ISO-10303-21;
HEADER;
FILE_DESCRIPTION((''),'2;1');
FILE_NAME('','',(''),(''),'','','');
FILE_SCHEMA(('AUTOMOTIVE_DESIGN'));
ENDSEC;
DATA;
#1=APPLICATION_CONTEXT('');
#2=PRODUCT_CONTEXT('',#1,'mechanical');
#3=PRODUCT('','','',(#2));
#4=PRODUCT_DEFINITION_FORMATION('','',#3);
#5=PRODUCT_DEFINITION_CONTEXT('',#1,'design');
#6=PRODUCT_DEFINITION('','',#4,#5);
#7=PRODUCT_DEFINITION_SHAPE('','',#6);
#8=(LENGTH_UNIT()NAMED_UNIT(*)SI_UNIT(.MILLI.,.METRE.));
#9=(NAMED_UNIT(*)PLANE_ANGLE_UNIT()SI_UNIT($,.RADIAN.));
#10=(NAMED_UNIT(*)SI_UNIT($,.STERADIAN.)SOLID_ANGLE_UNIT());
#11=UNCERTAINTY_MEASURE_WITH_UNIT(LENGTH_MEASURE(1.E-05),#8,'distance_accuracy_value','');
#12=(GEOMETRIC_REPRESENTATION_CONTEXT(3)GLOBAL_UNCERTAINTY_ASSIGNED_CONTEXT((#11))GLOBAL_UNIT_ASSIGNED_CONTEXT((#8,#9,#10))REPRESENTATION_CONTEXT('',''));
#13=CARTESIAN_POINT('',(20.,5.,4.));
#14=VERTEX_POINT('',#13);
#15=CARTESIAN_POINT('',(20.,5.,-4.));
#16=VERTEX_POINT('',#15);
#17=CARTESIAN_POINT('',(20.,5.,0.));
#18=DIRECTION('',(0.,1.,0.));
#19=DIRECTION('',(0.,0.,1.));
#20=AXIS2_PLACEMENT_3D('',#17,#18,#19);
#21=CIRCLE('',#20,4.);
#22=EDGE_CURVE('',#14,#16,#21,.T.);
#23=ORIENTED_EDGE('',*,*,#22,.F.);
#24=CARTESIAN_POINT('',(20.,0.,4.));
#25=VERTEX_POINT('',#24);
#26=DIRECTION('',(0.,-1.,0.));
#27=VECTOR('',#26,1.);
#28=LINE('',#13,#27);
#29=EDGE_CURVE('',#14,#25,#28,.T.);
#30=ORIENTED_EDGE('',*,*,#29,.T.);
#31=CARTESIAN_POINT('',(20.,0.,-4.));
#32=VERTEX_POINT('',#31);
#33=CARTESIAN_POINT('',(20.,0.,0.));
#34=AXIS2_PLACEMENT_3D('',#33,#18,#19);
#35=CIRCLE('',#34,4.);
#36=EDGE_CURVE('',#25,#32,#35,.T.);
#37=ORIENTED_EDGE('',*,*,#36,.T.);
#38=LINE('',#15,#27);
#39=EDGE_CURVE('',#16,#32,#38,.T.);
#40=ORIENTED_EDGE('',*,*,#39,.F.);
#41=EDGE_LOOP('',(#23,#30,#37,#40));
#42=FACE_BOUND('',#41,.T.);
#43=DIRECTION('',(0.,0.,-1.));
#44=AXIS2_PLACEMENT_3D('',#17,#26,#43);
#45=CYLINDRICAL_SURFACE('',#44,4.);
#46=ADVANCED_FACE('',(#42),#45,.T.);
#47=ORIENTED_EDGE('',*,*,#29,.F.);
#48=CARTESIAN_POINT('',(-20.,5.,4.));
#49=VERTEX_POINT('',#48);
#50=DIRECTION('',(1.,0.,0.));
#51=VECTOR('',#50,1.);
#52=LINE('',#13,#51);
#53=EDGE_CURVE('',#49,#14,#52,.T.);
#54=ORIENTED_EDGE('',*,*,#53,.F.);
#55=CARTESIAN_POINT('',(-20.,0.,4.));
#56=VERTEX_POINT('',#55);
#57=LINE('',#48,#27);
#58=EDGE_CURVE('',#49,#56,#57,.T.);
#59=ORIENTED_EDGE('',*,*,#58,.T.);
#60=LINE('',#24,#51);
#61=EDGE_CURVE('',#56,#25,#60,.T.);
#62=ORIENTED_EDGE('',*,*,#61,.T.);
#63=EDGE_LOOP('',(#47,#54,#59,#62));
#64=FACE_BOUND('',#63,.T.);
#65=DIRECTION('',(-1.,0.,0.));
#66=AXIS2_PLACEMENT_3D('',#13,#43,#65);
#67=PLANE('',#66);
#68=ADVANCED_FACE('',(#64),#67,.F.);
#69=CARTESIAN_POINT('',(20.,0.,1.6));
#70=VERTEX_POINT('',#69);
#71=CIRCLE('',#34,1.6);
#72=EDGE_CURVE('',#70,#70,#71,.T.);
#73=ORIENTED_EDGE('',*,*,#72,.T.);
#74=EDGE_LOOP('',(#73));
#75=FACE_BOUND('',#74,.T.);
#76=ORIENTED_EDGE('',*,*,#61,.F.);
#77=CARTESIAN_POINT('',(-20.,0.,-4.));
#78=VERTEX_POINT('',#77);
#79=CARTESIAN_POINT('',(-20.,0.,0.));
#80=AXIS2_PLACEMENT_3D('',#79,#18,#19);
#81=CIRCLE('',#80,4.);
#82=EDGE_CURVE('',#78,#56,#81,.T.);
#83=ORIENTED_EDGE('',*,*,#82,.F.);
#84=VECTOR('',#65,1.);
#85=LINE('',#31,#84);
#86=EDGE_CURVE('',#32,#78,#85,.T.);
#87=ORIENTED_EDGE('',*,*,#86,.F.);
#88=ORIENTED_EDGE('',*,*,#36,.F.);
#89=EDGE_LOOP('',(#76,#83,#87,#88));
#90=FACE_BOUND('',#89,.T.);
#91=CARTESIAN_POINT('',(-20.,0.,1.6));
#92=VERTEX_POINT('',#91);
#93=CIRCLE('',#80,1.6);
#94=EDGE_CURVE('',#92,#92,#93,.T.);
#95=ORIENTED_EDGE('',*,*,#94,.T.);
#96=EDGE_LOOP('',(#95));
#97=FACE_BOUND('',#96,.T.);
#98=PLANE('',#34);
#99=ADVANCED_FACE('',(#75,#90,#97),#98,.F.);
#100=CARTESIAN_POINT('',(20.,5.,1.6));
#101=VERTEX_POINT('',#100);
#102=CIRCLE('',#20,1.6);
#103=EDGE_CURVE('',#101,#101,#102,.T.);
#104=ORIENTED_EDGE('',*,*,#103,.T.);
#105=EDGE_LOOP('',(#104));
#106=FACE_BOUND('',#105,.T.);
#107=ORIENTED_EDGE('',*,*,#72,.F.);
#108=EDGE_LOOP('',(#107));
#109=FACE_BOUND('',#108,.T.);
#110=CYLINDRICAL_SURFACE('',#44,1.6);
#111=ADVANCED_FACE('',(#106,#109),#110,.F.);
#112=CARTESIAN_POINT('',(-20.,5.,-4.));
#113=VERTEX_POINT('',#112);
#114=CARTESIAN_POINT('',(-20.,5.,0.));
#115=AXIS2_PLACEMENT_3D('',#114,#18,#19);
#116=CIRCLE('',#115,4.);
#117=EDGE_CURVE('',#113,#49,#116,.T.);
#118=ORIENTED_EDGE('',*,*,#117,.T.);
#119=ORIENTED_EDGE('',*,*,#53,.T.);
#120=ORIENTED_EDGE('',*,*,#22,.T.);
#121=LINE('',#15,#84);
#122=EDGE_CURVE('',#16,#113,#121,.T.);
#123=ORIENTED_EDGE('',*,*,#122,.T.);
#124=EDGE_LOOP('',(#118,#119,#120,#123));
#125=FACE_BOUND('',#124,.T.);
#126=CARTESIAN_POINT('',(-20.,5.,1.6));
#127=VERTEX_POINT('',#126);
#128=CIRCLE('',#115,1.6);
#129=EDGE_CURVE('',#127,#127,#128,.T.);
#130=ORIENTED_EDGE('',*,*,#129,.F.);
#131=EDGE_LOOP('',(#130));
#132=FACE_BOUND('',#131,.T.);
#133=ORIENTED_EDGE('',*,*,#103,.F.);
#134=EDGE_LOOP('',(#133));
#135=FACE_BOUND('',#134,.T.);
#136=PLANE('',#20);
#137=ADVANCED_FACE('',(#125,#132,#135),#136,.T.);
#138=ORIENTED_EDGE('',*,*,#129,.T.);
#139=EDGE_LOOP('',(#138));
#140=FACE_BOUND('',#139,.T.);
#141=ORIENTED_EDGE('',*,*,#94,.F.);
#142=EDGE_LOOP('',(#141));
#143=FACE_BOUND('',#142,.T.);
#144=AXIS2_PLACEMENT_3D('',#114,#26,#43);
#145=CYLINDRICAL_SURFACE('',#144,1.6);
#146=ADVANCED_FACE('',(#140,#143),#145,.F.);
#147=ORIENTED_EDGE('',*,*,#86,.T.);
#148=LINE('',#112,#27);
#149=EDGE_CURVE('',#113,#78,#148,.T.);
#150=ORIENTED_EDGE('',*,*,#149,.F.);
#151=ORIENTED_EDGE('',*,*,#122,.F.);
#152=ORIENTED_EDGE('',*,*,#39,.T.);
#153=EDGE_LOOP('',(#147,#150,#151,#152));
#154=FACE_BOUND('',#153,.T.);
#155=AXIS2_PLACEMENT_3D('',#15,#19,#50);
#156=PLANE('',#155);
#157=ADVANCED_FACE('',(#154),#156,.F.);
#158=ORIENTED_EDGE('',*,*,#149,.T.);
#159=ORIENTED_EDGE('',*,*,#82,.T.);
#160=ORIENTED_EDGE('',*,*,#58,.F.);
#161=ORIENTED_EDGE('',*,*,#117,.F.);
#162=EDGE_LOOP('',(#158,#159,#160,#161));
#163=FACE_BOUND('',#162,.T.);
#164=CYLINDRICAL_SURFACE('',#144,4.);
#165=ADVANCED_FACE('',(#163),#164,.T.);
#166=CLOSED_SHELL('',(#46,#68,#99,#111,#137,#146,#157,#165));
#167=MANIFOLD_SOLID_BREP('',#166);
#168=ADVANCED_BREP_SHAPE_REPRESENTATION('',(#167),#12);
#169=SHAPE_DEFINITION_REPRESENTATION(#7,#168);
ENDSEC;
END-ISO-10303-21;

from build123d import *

# Parameters (mm, degrees)
ESQUISSE1_R        = 1.6
BOSS_EXTRU_1_DEPTH = 5


with BuildPart() as part:
    # Esquisse1 → Boss.-Extru.1 (new body)
    with BuildSketch(Plane(origin=(0, 0, 0), x_dir=(1, 0, 0), z_dir=(0, 1, 0))):
        with BuildLine():
            Line((20, -4), (-20, -4))
            ThreePointArc((-20, -4), (-24, 0), (-20, 4))
            Line((-20, 4), (20, 4))
            ThreePointArc((20, 4), (24, 0), (20, -4))
        make_face()
        with Locations(Location((-20, 0, 0), (0, 0, 270))):
            Circle(ESQUISSE1_R, mode=Mode.SUBTRACT)
        with Locations(Location((20, 0, 0), (0, 0, 270))):
            Circle(ESQUISSE1_R, mode=Mode.SUBTRACT)
    extrude(amount=BOSS_EXTRU_1_DEPTH)


solid = part.part
